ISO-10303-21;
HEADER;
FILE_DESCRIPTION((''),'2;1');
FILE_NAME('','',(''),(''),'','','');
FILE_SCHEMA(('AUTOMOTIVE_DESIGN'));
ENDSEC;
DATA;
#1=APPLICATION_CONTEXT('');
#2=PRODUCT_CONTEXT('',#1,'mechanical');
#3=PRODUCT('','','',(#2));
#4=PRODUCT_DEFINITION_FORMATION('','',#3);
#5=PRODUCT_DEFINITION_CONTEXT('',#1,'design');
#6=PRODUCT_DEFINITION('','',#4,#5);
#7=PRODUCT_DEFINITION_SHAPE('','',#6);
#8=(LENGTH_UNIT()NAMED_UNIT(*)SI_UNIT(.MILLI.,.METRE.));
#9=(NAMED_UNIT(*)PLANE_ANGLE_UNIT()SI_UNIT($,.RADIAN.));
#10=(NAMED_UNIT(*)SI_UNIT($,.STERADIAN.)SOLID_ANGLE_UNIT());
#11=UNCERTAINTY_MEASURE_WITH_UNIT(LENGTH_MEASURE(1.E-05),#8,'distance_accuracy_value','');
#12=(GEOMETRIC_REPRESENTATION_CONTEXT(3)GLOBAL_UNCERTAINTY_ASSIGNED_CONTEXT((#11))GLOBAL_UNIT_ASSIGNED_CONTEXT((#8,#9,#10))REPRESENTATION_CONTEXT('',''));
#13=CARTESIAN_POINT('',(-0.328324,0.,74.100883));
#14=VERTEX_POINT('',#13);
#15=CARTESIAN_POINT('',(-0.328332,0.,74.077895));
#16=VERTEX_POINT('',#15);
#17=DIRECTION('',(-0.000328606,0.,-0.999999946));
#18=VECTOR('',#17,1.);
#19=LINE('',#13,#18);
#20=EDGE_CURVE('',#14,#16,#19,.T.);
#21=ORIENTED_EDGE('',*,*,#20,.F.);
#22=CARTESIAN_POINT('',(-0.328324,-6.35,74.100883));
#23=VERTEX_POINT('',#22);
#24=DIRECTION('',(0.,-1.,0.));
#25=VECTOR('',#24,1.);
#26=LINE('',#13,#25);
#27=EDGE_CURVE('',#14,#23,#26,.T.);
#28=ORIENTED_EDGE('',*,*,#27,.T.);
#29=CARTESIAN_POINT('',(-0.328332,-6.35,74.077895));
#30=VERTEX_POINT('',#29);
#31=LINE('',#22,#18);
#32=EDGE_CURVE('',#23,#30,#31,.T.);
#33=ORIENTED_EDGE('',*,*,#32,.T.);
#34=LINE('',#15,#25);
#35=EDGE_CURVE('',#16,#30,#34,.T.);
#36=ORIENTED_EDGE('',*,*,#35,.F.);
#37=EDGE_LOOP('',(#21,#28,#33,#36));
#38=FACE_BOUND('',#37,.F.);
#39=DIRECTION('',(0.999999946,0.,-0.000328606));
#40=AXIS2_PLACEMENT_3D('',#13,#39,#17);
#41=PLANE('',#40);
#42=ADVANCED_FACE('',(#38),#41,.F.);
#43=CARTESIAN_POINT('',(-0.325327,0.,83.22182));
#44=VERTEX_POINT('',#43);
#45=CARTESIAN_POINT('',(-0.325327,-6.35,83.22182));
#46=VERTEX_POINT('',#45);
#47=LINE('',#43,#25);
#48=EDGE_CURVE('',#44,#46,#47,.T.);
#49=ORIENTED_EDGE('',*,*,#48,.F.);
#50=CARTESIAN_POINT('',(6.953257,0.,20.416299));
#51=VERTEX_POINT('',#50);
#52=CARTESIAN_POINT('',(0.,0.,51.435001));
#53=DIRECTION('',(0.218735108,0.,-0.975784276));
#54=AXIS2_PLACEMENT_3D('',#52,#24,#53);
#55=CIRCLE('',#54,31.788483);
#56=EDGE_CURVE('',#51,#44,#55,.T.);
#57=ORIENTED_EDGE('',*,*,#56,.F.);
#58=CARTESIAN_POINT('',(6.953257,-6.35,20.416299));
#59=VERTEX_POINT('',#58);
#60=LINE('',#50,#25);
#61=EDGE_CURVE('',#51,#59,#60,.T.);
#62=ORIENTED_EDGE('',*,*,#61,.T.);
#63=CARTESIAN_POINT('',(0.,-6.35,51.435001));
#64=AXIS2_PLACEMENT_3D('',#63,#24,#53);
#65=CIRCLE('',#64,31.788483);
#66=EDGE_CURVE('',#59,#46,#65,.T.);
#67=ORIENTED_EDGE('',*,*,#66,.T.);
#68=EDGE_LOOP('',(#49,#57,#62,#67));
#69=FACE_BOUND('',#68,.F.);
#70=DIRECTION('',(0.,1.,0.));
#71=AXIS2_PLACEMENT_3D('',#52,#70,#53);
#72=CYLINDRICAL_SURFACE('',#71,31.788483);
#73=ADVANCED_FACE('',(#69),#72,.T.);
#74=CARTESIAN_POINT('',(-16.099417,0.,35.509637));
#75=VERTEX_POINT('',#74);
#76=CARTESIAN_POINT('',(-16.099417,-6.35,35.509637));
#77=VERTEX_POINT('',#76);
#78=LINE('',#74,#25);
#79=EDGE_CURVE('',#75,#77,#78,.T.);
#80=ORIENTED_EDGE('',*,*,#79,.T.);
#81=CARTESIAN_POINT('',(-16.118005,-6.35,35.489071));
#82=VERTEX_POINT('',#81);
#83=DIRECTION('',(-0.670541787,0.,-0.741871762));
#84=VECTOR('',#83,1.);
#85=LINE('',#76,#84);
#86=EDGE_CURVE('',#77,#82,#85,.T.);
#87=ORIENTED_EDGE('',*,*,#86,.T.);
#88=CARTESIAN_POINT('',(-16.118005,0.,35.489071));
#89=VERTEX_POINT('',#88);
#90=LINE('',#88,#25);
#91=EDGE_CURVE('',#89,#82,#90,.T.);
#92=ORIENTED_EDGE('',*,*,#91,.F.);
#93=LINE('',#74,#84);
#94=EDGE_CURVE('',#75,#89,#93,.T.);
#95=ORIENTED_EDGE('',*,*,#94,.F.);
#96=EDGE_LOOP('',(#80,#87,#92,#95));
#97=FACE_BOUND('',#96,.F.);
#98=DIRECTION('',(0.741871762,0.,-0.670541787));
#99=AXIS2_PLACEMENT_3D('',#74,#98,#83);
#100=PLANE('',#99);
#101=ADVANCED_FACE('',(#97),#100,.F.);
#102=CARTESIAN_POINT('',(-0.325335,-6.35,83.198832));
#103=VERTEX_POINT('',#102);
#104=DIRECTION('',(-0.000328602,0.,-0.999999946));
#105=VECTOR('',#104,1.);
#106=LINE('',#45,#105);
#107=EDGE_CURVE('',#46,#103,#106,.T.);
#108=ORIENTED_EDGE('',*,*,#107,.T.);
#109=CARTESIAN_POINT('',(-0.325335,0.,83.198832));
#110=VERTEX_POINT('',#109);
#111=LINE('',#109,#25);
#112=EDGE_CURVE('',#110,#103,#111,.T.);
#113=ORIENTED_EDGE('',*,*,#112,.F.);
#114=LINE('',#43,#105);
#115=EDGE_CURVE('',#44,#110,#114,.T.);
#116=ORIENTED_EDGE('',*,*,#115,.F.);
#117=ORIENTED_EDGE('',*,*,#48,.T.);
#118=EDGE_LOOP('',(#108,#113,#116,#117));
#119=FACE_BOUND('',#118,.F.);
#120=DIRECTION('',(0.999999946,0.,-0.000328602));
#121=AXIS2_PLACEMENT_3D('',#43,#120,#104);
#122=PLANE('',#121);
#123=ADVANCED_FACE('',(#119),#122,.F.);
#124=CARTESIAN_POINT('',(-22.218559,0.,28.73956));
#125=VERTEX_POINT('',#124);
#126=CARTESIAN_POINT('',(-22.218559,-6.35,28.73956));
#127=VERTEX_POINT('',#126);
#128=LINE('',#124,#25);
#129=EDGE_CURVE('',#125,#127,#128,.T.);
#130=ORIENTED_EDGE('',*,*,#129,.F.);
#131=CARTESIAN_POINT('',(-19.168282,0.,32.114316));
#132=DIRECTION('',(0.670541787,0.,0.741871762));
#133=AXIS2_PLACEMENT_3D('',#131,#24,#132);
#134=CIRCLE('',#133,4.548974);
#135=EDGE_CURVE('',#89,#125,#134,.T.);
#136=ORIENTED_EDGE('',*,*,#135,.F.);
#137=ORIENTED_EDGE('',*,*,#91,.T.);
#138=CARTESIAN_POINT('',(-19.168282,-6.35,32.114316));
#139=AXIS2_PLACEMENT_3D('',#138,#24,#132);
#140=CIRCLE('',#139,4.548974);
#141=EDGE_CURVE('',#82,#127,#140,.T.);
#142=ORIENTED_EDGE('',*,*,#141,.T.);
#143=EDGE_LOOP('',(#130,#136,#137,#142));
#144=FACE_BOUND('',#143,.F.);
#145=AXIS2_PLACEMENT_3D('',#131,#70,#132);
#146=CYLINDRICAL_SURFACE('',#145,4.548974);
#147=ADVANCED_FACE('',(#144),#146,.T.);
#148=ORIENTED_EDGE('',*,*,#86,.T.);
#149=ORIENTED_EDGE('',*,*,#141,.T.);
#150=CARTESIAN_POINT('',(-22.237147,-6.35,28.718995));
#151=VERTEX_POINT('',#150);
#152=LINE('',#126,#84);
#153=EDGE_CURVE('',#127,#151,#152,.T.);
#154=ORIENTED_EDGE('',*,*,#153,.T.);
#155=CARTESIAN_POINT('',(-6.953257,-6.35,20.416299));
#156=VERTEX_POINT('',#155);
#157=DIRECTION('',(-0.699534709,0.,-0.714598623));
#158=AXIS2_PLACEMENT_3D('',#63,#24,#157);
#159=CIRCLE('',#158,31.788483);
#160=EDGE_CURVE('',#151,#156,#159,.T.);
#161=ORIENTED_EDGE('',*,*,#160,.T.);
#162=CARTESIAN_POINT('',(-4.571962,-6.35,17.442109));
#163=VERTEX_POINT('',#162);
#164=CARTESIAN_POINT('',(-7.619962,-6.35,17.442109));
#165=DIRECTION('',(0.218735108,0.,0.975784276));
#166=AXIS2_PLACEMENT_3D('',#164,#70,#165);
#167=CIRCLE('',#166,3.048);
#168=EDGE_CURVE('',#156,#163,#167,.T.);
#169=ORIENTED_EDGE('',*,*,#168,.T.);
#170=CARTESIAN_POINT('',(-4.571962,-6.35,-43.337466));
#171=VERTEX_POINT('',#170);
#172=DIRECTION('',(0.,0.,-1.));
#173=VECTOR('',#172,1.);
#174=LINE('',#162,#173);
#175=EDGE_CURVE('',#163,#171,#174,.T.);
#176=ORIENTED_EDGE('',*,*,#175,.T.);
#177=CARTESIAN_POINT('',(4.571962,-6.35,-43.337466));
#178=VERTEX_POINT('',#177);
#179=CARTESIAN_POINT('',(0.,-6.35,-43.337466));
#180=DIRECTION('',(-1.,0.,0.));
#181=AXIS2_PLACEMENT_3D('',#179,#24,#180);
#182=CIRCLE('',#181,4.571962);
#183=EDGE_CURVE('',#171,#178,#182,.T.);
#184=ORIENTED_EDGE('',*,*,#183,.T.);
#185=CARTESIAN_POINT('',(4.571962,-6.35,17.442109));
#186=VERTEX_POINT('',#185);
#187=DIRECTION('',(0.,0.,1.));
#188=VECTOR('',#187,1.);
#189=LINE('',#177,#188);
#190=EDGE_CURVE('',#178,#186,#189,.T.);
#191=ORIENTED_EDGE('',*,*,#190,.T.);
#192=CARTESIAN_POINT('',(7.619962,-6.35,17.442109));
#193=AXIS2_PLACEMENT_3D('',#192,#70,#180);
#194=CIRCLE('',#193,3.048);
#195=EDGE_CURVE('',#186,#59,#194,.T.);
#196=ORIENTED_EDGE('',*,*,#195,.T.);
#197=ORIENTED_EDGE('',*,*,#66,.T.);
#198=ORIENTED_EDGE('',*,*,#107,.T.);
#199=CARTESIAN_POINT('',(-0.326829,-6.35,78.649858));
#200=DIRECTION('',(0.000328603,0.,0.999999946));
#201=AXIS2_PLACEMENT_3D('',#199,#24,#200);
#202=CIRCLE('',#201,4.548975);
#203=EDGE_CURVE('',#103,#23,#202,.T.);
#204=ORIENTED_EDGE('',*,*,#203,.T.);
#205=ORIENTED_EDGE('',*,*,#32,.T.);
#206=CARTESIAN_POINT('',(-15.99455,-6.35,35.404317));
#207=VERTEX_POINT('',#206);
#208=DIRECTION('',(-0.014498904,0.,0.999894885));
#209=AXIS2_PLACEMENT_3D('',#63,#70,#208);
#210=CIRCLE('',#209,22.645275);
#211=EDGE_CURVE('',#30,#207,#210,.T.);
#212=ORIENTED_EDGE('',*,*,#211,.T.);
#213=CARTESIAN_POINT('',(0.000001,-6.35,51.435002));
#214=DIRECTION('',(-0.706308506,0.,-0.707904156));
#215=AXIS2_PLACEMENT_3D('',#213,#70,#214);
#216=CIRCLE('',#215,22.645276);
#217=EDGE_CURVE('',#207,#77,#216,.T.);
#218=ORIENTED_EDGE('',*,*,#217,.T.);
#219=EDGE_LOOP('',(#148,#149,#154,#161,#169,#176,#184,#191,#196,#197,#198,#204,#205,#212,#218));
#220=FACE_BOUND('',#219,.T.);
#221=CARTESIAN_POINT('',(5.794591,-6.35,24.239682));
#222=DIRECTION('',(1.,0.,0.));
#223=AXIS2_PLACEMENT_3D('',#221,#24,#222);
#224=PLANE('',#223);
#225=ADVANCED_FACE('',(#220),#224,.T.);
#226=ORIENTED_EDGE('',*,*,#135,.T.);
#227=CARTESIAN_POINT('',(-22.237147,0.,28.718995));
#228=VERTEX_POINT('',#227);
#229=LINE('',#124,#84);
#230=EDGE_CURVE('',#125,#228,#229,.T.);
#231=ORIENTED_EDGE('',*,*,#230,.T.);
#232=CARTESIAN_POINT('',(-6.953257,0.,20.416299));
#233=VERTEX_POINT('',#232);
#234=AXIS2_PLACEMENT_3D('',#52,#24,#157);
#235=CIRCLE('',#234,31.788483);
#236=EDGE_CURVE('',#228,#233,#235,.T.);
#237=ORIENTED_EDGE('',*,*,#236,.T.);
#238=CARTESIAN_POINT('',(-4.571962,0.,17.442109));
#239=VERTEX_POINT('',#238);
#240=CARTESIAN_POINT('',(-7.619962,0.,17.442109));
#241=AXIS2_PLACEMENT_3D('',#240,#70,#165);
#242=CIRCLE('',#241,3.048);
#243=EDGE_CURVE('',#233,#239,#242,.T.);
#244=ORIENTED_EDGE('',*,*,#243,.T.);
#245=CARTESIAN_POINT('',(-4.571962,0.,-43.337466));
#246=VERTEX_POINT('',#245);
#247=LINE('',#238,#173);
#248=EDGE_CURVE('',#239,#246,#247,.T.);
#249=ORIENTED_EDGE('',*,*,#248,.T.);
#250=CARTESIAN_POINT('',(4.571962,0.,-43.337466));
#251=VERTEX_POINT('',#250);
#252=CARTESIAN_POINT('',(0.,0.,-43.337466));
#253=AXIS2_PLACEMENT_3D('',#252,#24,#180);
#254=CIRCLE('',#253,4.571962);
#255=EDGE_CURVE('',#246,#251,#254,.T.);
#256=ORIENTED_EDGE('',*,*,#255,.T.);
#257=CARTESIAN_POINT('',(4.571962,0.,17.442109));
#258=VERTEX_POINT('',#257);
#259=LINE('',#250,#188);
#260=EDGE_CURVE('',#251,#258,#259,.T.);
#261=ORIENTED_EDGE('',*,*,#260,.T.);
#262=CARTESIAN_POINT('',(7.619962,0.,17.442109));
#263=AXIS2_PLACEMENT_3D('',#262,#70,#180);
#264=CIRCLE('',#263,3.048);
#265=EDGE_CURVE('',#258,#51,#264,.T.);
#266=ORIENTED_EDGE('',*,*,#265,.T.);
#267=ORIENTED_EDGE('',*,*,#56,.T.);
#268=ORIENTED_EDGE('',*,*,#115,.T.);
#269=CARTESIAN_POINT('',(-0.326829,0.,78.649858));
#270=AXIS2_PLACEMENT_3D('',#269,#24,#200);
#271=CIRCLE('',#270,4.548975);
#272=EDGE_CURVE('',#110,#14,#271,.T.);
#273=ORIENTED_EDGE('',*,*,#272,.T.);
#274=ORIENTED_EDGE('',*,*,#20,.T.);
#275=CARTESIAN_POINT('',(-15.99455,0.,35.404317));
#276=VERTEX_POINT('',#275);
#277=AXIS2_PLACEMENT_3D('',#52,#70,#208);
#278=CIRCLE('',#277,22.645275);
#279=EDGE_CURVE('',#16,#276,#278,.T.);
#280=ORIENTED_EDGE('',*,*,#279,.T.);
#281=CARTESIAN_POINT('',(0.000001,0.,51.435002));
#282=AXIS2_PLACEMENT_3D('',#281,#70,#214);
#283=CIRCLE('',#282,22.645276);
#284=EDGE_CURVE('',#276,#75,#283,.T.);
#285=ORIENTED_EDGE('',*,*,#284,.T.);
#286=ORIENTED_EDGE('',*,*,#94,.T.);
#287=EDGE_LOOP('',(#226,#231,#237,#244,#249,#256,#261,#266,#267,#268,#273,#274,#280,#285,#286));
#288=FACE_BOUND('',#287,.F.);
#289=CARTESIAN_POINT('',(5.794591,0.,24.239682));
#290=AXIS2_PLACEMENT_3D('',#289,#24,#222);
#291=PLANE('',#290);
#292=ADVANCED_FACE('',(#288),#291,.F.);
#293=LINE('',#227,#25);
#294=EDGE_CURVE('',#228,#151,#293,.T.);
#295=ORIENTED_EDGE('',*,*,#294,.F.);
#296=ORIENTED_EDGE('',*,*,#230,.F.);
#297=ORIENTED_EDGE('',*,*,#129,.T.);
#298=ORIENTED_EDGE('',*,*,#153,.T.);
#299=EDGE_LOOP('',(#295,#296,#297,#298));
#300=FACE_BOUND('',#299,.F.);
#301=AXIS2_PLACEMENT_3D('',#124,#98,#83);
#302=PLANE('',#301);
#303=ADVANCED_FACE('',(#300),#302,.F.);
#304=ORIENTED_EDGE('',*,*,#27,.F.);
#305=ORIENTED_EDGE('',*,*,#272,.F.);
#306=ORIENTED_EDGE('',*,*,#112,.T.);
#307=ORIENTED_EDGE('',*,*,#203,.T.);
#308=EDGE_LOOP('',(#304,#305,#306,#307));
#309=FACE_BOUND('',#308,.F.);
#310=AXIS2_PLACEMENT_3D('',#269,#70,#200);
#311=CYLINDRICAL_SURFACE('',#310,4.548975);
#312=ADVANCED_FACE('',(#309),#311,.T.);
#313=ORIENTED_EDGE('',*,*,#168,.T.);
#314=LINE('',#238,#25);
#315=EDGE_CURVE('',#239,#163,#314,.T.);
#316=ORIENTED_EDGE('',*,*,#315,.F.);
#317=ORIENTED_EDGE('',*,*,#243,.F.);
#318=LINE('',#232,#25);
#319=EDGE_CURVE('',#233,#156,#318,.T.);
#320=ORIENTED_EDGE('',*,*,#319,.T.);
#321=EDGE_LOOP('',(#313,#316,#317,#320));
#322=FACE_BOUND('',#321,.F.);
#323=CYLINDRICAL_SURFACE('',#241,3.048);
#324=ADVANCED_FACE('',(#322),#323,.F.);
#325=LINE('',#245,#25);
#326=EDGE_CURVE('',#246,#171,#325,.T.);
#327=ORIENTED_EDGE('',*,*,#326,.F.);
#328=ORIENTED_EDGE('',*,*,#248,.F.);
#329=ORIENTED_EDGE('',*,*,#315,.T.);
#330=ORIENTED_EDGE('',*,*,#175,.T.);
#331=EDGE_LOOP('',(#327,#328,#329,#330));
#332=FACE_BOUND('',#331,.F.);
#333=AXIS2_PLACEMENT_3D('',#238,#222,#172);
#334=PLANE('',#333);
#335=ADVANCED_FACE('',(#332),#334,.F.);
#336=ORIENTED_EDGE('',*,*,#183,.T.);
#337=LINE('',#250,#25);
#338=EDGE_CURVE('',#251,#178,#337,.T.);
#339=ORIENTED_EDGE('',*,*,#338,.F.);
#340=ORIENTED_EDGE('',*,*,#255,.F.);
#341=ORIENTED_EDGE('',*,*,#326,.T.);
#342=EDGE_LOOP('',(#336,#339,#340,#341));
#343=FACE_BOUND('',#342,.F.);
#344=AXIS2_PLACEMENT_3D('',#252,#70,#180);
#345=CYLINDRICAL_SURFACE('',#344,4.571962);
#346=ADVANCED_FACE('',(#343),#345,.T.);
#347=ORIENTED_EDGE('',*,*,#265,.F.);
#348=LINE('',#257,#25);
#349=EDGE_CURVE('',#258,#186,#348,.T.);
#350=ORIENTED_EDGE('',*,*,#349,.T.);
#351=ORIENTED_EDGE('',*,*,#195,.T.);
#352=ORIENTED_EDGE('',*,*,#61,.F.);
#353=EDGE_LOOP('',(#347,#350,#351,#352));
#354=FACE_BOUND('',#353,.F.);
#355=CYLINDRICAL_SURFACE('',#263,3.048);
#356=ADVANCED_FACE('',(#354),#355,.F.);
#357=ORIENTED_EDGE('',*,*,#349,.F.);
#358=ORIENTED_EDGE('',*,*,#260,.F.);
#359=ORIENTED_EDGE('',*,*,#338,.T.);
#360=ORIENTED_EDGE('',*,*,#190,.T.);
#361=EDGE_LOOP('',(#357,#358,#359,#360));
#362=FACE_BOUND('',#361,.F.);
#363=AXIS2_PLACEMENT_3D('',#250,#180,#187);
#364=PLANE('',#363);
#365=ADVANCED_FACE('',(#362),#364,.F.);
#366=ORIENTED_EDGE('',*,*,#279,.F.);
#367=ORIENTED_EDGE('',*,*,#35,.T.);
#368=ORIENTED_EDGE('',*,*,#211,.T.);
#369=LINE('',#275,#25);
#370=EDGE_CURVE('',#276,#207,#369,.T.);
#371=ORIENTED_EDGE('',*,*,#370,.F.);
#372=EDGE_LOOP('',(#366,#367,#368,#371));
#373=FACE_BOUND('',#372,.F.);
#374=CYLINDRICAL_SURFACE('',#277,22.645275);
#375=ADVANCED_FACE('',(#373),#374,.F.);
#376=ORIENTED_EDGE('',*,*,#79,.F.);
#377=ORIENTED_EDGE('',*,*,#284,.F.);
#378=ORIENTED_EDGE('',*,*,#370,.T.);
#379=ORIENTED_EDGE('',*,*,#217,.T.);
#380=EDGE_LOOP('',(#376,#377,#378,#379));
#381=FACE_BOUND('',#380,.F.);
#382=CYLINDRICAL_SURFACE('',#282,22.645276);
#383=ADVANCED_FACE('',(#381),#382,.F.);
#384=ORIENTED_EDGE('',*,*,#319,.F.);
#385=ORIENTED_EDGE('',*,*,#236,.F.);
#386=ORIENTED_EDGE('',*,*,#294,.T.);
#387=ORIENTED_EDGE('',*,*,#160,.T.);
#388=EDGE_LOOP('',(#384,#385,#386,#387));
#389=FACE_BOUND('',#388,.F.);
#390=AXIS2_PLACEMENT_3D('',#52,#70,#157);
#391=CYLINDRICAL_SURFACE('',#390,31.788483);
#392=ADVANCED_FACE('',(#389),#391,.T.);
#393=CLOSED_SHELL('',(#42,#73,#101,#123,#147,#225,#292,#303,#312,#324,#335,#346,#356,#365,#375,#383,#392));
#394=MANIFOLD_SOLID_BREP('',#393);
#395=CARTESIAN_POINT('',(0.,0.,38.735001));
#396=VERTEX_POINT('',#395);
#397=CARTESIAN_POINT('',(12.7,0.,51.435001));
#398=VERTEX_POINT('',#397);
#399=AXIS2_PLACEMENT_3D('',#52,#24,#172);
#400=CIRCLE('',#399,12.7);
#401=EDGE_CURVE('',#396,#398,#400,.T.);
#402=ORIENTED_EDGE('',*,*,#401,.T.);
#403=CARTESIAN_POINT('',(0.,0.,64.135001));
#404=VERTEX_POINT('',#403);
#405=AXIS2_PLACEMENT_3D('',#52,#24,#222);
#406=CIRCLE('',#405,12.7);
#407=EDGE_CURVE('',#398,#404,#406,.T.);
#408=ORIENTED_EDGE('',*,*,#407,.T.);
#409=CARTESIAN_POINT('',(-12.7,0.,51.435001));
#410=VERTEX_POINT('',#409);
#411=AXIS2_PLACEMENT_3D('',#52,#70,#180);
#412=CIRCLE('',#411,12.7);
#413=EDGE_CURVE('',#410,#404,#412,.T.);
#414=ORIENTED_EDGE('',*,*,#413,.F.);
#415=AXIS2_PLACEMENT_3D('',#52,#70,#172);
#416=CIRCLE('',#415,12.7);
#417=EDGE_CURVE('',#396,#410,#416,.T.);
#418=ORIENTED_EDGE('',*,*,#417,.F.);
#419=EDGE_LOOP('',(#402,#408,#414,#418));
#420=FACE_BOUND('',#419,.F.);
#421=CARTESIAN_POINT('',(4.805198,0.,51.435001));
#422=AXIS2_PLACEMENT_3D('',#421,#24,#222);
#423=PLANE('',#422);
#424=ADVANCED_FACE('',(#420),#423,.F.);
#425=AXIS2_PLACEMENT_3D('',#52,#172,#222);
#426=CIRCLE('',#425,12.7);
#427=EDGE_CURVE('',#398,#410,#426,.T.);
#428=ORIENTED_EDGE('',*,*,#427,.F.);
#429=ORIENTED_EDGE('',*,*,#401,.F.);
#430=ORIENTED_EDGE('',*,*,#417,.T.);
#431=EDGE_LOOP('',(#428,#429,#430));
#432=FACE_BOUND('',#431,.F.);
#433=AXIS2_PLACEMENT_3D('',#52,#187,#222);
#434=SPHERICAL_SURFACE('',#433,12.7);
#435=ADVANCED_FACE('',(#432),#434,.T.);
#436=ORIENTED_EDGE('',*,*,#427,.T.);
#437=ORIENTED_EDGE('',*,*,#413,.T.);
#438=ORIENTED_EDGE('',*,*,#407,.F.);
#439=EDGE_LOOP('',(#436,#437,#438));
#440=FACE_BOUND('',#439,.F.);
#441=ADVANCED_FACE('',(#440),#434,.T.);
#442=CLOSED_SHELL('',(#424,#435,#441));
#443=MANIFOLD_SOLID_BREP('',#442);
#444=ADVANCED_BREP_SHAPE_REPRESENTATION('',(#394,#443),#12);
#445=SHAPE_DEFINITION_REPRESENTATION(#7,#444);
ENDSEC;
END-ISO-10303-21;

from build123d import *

# Parameters (mm, degrees)
F1_ANGLE = 180
F2_DEPTH = 6.35


with BuildPart() as f1:
    # F0 (on Front) → F1 (revolve)
    with BuildSketch(Plane.XZ):
        with BuildLine():
            ThreePointArc((0, 38.7350011945), (8.9802561211, 42.4547450734), (12.7, 51.4350011945))
            ThreePointArc((12.7, 51.4350011945), (8.9802561211, 60.4152573155), (0, 64.1350011945))
            Line((0, 64.1350011945), (0, 38.7350011945))
        make_face()
    revolve(axis=Axis((0, 0, 51.4350011945), (0, 0, -1)), revolution_arc=F1_ANGLE)


with BuildPart() as f2:
    # F0 (on Front) → F2 (new body)
    with BuildSketch(Plane.XZ):
        with BuildLine():
            ThreePointArc((-15.9945500643, 35.4043171941), (-16.0470698305, 35.4568908201), (-16.0994167897, 35.5096365106))
            Line((-16.0994167897, 35.5096365106), (-16.1180047523, 35.4890712232))
            Line((-16.1180047523, 35.4890712232), (-22.2185593271, 28.7395602124))
            Line((-22.2185593271, 28.7395602124), (-22.2371472897, 28.718994925))
            ThreePointArc((-22.2371472897, 28.718994925), (-15.1741101543, 23.5019734058), (-6.953257291, 20.4162991994))
            ThreePointArc((-6.953257291, 20.4162991994), (-5.2406321994, 19.3471268836), (-4.5719619, 17.4421087273))
            Line((-4.5719619, 17.4421087273), (-4.5719619, -43.3374655447))
            Line((-4.5719619, -43.3374655447), (4.5719619, -43.3374655447))
            Line((4.5719619, -43.3374655447), (4.5719619, 17.4421087273))
            ThreePointArc((4.5719619, 17.4421087273), (5.2406321994, 19.3471268836), (6.953257291, 20.4162991994))
            ThreePointArc((6.953257291, 20.4162991994), (31.5771390817, 55.0945022307), (-0.3253269501, 83.2218195756))
            Line((-0.3253269501, 83.2218195756), (-0.3253345038, 83.1988321598))
            Line((-0.3253345038, 83.1988321598), (-0.3283241191, 74.100882851))
            Line((-0.3283241191, 74.100882851), (-0.3283316729, 74.0778954351))
            ThreePointArc((-0.3283316729, 74.0778954351), (20.9885809559, 42.9327702674), (-15.9945500643, 35.4043171941))
        make_face()
        with BuildLine():
            Line((-22.2185593271, 28.7395602124), (-16.1180047523, 35.4890712232))
            ThreePointArc((-16.1180047523, 35.4890712232), (-22.5430375451, 35.1645930052), (-22.2185593271, 28.7395602124))
        make_face()
        with BuildLine():
            ThreePointArc((-0.3253345038, 83.1988321598), (-4.8758039659, 78.651352313), (-0.3283241191, 74.100882851))
            Line((-0.3283241191, 74.100882851), (-0.3253345038, 83.1988321598))
        make_face()
        with BuildLine():
            Line((4.5719619, -43.3374655447), (-4.5719619, -43.3374655447))
            ThreePointArc((-4.5719619, -43.3374655447), (0, -47.9094274447), (4.5719619, -43.3374655447))
        make_face()
    extrude(amount=F2_DEPTH)


solid = Compound([f1.part, f2.part])
